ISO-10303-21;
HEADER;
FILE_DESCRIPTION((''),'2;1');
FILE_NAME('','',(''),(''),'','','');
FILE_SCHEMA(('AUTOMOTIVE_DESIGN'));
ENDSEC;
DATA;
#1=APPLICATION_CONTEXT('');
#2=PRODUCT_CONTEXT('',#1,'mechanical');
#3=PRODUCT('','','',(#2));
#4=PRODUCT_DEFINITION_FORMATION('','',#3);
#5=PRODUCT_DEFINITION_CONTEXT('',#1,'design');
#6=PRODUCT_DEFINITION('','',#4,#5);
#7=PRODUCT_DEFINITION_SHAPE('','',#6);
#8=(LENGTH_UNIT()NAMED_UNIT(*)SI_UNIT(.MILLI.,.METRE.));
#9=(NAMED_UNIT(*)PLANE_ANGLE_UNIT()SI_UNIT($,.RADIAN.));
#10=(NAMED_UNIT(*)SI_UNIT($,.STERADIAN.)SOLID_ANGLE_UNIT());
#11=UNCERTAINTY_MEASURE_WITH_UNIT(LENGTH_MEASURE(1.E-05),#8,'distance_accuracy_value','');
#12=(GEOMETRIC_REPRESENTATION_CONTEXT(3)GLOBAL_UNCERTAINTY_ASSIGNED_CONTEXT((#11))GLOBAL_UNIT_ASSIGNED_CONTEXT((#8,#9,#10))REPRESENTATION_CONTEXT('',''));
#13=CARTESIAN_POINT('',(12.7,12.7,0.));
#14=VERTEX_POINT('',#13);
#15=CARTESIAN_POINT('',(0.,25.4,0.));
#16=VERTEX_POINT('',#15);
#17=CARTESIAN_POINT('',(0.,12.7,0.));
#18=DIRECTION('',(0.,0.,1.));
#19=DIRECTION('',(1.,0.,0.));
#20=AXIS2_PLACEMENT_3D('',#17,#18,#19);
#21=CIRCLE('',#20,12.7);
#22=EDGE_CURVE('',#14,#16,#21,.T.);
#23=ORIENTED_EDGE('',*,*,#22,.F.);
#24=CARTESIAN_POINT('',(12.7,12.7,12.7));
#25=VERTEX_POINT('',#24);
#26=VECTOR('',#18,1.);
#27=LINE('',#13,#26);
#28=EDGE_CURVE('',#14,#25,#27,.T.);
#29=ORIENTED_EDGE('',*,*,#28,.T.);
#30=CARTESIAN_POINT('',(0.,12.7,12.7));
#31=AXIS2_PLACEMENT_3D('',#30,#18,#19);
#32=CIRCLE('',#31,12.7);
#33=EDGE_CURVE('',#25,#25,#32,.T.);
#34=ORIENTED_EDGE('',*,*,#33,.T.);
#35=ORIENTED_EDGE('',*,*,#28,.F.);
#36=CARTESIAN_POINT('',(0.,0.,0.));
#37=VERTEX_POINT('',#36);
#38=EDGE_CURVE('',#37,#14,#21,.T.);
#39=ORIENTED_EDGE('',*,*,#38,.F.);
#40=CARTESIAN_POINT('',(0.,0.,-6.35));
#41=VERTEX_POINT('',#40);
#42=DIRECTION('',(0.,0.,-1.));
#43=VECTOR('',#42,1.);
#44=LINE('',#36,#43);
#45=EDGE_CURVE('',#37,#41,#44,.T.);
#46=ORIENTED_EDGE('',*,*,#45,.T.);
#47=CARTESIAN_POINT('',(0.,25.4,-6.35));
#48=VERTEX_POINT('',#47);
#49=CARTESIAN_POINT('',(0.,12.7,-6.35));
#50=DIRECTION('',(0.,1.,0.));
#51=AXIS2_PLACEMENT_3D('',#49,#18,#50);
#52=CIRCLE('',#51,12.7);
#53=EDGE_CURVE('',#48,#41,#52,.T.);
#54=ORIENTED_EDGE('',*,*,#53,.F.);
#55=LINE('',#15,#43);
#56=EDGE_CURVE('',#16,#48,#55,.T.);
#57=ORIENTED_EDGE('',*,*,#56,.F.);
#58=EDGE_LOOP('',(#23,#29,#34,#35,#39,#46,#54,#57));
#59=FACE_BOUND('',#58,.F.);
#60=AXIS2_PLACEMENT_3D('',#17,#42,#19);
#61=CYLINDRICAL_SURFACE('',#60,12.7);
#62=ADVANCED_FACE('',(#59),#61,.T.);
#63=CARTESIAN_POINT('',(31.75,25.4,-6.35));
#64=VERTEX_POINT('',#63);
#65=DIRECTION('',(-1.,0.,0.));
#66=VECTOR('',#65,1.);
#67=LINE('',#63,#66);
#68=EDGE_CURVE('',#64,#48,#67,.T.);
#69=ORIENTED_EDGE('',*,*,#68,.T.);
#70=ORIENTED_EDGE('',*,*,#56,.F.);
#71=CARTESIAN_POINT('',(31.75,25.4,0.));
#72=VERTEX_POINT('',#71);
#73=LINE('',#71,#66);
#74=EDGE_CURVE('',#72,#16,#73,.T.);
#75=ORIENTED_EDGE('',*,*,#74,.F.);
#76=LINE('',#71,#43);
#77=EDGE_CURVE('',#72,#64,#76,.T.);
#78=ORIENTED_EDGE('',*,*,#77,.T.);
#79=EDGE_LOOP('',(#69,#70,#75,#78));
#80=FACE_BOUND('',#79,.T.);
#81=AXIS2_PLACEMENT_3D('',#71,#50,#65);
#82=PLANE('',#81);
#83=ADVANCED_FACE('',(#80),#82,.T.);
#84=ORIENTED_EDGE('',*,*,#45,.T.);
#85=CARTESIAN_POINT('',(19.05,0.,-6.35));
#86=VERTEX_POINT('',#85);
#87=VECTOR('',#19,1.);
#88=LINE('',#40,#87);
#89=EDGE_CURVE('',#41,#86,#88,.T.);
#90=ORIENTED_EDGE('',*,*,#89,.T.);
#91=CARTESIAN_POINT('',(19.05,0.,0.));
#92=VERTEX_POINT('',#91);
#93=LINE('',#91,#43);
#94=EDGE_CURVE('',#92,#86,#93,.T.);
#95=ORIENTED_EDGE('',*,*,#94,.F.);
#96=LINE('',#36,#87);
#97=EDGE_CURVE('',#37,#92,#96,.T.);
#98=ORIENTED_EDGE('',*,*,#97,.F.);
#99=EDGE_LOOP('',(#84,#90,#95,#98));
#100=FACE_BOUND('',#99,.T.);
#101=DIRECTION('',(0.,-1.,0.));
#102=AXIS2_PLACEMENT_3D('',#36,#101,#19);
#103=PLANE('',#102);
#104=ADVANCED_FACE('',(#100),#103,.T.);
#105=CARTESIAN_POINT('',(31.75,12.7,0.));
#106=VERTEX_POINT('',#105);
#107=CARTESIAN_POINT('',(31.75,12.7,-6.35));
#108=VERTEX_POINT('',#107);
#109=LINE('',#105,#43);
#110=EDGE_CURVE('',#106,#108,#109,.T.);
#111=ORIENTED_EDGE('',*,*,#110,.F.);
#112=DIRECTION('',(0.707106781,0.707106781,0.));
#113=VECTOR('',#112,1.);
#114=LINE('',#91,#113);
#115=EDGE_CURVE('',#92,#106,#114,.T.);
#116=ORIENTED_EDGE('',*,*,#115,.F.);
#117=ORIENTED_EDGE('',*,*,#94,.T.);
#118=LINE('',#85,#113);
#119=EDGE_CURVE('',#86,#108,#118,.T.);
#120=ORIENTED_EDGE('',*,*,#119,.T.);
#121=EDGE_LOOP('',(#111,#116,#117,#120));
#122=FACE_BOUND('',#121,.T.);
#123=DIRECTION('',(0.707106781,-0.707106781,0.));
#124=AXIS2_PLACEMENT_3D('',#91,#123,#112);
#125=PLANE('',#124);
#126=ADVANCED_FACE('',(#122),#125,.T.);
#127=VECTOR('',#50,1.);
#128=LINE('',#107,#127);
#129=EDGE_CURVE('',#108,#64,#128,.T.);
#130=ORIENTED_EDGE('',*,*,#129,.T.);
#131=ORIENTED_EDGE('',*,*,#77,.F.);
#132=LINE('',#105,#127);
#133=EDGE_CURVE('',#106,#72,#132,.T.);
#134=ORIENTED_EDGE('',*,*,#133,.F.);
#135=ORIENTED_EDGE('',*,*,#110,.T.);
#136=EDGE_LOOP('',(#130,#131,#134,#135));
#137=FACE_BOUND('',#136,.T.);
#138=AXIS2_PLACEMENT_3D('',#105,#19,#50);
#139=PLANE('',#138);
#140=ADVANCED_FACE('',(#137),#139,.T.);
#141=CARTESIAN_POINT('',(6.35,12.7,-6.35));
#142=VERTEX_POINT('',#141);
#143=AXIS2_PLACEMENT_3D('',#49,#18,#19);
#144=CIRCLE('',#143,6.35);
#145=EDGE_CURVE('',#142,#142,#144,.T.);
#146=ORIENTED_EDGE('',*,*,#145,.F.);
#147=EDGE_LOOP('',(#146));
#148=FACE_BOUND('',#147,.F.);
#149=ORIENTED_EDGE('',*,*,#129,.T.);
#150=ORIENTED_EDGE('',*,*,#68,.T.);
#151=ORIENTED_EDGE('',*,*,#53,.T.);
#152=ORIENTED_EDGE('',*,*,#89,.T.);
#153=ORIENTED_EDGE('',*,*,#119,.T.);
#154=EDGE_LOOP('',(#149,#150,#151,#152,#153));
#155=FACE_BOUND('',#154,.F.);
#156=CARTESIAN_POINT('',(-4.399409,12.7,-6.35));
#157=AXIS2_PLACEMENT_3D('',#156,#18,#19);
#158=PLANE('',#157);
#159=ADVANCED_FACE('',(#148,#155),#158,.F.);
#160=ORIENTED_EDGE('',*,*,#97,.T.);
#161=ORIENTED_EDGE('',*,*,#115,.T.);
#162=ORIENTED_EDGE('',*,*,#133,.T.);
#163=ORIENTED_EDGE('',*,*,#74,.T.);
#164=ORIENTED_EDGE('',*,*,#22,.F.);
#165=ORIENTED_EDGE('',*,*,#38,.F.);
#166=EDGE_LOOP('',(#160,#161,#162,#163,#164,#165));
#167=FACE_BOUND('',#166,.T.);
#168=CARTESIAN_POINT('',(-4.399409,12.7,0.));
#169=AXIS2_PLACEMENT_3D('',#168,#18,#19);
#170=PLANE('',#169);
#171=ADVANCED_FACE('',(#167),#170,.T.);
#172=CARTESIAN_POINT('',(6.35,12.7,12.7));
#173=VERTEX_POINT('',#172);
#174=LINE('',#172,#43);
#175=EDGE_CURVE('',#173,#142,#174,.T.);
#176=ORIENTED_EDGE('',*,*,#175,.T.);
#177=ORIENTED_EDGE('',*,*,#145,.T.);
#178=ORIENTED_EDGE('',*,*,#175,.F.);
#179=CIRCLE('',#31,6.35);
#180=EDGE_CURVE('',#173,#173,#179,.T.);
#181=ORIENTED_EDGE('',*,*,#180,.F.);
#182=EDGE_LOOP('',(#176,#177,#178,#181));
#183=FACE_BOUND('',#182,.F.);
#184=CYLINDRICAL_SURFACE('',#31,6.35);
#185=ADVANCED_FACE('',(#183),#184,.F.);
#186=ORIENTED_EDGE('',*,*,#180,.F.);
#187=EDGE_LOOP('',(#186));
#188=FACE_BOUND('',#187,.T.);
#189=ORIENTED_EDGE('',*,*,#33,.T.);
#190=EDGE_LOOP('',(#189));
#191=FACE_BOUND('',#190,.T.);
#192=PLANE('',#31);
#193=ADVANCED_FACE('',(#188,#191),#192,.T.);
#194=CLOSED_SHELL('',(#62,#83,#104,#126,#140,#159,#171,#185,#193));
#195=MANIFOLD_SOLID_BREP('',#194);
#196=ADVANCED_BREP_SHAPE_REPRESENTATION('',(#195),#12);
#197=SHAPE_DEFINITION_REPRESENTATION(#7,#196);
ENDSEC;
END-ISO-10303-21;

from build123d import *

# Parameters (mm, degrees)
F1_DEPTH = 6.35
F3_DEPTH = 6.35
F2_R     = 12.7
F4_DEPTH = 12.7
F5_R     = 6.35
F6_DEPTH = 19.05


with BuildPart() as f1:
    # F0 (on Top) → F1 (new body)
    with BuildSketch(Plane.XY):
        Polygon((0, 25.4), (0, 0), (19.05, 0), (31.75, 12.7), (31.75, 25.4), align=None)
    extrude(amount=-F1_DEPTH)

    # F2 (on face) → F3 (join)
    with BuildSketch(Plane.XY):
        with BuildLine():
            Line((0, 0), (0, 25.4))
            ThreePointArc((0, 25.4), (-12.7, 12.7), (0, 0))
        make_face()
    extrude(amount=-F3_DEPTH)

    # F2 (on face) → F4 (join)
    with BuildSketch(Plane.XY):
        with Locations((0, 12.7)):
            Circle(F2_R)
    extrude(amount=F4_DEPTH)

    # F5 (on face) → F6 (cut)
    with BuildSketch(Plane.XY.offset(12.7)):
        with Locations((0, 12.7)):
            Circle(F5_R)
    extrude(amount=-F6_DEPTH, mode=Mode.SUBTRACT)


solid = f1.part
